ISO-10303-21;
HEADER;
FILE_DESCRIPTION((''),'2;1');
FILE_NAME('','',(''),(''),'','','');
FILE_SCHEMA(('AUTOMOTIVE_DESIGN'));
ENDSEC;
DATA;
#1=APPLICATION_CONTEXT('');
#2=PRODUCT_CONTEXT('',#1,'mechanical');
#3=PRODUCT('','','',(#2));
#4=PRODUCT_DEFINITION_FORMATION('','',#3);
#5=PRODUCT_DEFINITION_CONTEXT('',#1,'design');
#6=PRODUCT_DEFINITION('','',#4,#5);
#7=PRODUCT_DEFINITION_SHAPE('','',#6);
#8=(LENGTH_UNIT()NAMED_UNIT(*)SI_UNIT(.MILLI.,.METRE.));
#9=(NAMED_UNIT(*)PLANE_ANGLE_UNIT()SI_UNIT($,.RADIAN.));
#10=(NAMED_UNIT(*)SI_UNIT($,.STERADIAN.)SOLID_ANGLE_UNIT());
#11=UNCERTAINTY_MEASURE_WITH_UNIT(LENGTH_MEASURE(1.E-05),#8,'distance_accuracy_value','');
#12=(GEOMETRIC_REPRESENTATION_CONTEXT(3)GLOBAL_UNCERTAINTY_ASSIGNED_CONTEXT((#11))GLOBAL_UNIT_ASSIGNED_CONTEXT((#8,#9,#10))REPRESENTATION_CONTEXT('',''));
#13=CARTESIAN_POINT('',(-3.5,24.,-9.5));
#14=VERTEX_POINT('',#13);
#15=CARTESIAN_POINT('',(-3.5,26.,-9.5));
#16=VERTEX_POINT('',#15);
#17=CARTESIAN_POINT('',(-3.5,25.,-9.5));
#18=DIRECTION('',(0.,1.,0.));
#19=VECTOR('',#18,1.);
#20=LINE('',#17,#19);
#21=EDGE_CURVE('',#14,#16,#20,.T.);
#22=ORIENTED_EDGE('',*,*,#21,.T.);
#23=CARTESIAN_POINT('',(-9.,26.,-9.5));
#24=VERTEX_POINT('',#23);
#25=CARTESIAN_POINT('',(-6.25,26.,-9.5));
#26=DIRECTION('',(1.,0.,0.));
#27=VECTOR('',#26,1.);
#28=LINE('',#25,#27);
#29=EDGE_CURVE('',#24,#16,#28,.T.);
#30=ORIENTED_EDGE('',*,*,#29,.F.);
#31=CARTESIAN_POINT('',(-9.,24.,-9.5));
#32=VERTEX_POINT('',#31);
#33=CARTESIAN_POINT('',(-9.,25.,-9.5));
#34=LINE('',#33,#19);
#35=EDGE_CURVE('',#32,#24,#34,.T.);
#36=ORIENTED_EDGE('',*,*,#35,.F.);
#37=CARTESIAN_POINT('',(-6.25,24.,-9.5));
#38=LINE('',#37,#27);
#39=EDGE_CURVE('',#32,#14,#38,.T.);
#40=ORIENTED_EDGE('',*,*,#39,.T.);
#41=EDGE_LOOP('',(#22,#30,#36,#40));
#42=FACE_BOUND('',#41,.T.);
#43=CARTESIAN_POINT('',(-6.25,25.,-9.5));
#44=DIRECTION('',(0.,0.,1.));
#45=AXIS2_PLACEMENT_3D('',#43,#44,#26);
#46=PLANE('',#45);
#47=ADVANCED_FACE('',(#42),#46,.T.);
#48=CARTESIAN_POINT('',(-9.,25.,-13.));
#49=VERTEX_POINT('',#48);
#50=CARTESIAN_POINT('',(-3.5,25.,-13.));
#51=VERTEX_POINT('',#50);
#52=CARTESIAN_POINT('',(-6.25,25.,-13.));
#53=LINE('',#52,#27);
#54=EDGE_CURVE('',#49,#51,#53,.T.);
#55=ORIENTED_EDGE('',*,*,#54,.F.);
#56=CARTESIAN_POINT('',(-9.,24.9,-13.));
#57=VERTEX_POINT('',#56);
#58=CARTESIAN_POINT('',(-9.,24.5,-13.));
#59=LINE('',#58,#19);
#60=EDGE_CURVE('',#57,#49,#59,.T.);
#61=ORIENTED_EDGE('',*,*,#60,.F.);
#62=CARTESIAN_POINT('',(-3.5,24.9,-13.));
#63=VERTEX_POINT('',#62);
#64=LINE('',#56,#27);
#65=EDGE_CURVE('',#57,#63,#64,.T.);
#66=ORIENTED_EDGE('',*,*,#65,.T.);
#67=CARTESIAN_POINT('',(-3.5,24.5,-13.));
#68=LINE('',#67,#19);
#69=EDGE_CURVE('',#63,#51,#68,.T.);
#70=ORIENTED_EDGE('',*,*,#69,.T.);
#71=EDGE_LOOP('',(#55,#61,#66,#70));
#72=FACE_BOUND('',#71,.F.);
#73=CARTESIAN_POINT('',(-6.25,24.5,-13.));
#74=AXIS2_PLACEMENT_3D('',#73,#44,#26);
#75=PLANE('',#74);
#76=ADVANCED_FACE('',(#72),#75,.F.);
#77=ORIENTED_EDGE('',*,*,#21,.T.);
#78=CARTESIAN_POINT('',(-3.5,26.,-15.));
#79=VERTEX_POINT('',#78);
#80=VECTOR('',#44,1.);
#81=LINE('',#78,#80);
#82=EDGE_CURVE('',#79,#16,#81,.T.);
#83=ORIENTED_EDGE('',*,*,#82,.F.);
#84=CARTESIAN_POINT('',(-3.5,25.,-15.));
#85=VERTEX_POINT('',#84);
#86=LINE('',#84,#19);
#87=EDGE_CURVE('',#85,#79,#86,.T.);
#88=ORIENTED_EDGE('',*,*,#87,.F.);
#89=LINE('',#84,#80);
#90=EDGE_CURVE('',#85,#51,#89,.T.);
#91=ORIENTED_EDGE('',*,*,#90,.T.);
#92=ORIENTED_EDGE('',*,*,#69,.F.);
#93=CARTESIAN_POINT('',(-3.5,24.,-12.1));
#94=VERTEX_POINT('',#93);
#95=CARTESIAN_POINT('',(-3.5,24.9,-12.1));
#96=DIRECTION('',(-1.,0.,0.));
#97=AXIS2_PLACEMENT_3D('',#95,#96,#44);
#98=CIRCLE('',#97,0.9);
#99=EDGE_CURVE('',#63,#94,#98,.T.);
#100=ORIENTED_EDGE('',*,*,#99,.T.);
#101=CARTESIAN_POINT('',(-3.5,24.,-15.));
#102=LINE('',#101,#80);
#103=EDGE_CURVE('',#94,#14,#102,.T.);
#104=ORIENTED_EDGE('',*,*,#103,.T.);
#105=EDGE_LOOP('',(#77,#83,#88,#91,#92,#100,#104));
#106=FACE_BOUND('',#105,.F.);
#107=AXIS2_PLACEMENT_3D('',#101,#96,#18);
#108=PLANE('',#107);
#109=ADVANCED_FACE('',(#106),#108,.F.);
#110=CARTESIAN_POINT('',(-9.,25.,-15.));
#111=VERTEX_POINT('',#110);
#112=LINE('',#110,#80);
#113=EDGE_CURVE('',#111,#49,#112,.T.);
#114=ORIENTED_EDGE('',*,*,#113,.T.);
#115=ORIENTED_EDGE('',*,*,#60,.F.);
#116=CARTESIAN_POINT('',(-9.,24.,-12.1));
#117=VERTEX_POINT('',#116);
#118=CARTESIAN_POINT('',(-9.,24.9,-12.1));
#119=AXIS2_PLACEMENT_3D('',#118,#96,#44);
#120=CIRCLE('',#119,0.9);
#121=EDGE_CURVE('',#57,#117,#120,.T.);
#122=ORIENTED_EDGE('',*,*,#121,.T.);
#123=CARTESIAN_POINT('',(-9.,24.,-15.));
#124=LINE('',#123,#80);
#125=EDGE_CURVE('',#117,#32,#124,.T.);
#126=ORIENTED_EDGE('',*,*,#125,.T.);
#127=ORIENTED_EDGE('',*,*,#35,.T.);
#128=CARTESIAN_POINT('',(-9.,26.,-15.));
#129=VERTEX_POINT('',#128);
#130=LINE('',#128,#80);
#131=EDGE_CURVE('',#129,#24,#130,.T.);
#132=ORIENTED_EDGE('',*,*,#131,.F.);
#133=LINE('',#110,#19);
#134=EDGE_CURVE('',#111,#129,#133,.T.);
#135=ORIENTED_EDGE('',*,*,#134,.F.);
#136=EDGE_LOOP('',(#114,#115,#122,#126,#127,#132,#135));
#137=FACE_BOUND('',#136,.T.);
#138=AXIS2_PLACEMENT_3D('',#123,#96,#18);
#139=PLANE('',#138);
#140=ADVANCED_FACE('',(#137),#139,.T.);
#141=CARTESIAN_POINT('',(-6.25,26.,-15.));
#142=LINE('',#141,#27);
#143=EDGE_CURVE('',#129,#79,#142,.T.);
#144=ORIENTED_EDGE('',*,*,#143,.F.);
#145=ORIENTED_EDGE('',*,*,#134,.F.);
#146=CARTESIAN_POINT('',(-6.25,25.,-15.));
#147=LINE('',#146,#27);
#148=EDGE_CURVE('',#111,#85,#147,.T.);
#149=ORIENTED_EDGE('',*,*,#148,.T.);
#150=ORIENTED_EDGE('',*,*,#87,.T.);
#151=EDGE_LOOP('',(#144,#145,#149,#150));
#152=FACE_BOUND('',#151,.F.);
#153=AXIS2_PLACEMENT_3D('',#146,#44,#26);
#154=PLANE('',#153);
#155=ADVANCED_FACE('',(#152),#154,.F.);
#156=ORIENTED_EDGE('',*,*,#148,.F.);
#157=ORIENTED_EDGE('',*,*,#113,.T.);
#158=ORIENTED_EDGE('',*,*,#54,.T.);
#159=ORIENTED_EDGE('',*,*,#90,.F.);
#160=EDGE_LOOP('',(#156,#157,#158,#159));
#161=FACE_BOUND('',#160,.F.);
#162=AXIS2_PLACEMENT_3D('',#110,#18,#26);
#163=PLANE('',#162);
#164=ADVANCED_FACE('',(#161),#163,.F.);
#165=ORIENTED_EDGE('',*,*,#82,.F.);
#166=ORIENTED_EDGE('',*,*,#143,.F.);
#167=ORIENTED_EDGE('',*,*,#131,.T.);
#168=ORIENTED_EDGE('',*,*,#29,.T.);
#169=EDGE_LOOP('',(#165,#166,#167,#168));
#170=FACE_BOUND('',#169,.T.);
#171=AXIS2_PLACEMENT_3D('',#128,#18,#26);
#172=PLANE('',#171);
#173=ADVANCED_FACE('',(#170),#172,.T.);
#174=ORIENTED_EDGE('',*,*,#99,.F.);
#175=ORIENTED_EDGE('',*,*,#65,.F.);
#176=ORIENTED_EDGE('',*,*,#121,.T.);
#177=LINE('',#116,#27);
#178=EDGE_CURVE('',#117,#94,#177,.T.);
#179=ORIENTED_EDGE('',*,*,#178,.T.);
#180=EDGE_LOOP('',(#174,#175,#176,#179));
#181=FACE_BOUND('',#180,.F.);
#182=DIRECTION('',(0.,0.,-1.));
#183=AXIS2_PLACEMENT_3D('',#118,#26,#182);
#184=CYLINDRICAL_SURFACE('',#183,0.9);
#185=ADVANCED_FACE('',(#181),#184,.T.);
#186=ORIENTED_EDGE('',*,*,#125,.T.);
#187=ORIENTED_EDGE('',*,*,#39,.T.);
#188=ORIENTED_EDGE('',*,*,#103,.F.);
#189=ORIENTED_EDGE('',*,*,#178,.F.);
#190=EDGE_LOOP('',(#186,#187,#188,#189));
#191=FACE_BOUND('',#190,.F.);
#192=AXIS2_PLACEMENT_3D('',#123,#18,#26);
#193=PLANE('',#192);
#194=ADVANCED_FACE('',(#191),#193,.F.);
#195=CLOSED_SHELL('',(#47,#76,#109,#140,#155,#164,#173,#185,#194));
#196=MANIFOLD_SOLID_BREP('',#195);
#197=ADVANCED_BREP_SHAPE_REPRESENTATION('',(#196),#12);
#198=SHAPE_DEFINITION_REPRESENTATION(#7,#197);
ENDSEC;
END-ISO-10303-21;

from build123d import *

# Parameters (mm, degrees)
BOX021_W     = 5.5
BOX021_H     = 1
BOX021_DEPTH = 2
BOX020_W     = 5.5
BOX020_H     = 2
BOX020_DEPTH = 5.5
FILLET004_R  = 0.9


with BuildPart() as button_1_cut002:
    # Box021 → Box021 (new body)
    with BuildSketch(Plane(origin=(5, 24, -15), x_dir=(1, 0, 0), z_dir=(0, 0, 1))):
        with Locations((2.75, 0.5)):
            Rectangle(BOX021_W, BOX021_H)
    extrude(amount=BOX021_DEPTH)


with BuildPart() as fillet004:
    # Box020 → Box020 (new body)
    with BuildSketch(Plane(origin=(5, 24, -15), x_dir=(1, 0, 0), z_dir=(0, 0, 1))):
        with Locations((2.75, 1)):
            Rectangle(BOX020_W, BOX020_H)
    extrude(amount=BOX020_DEPTH)

    # Cut002: cut Button 1 Cut002
    add(button_1_cut002.part, mode=Mode.SUBTRACT)

    # Fillet004
    fillet004_edges = [fillet004.edges().sort_by_distance(p)[0] for p in [
        (7.75, 24, -13),
    ]]
    fillet(fillet004_edges, radius=FILLET004_R)


with BuildPart() as fillet004_1:
    # Fillet004 placement: moved
    add(fillet004.part.moved(Location((-14, 0, 0))))


solid = fillet004_1.part
